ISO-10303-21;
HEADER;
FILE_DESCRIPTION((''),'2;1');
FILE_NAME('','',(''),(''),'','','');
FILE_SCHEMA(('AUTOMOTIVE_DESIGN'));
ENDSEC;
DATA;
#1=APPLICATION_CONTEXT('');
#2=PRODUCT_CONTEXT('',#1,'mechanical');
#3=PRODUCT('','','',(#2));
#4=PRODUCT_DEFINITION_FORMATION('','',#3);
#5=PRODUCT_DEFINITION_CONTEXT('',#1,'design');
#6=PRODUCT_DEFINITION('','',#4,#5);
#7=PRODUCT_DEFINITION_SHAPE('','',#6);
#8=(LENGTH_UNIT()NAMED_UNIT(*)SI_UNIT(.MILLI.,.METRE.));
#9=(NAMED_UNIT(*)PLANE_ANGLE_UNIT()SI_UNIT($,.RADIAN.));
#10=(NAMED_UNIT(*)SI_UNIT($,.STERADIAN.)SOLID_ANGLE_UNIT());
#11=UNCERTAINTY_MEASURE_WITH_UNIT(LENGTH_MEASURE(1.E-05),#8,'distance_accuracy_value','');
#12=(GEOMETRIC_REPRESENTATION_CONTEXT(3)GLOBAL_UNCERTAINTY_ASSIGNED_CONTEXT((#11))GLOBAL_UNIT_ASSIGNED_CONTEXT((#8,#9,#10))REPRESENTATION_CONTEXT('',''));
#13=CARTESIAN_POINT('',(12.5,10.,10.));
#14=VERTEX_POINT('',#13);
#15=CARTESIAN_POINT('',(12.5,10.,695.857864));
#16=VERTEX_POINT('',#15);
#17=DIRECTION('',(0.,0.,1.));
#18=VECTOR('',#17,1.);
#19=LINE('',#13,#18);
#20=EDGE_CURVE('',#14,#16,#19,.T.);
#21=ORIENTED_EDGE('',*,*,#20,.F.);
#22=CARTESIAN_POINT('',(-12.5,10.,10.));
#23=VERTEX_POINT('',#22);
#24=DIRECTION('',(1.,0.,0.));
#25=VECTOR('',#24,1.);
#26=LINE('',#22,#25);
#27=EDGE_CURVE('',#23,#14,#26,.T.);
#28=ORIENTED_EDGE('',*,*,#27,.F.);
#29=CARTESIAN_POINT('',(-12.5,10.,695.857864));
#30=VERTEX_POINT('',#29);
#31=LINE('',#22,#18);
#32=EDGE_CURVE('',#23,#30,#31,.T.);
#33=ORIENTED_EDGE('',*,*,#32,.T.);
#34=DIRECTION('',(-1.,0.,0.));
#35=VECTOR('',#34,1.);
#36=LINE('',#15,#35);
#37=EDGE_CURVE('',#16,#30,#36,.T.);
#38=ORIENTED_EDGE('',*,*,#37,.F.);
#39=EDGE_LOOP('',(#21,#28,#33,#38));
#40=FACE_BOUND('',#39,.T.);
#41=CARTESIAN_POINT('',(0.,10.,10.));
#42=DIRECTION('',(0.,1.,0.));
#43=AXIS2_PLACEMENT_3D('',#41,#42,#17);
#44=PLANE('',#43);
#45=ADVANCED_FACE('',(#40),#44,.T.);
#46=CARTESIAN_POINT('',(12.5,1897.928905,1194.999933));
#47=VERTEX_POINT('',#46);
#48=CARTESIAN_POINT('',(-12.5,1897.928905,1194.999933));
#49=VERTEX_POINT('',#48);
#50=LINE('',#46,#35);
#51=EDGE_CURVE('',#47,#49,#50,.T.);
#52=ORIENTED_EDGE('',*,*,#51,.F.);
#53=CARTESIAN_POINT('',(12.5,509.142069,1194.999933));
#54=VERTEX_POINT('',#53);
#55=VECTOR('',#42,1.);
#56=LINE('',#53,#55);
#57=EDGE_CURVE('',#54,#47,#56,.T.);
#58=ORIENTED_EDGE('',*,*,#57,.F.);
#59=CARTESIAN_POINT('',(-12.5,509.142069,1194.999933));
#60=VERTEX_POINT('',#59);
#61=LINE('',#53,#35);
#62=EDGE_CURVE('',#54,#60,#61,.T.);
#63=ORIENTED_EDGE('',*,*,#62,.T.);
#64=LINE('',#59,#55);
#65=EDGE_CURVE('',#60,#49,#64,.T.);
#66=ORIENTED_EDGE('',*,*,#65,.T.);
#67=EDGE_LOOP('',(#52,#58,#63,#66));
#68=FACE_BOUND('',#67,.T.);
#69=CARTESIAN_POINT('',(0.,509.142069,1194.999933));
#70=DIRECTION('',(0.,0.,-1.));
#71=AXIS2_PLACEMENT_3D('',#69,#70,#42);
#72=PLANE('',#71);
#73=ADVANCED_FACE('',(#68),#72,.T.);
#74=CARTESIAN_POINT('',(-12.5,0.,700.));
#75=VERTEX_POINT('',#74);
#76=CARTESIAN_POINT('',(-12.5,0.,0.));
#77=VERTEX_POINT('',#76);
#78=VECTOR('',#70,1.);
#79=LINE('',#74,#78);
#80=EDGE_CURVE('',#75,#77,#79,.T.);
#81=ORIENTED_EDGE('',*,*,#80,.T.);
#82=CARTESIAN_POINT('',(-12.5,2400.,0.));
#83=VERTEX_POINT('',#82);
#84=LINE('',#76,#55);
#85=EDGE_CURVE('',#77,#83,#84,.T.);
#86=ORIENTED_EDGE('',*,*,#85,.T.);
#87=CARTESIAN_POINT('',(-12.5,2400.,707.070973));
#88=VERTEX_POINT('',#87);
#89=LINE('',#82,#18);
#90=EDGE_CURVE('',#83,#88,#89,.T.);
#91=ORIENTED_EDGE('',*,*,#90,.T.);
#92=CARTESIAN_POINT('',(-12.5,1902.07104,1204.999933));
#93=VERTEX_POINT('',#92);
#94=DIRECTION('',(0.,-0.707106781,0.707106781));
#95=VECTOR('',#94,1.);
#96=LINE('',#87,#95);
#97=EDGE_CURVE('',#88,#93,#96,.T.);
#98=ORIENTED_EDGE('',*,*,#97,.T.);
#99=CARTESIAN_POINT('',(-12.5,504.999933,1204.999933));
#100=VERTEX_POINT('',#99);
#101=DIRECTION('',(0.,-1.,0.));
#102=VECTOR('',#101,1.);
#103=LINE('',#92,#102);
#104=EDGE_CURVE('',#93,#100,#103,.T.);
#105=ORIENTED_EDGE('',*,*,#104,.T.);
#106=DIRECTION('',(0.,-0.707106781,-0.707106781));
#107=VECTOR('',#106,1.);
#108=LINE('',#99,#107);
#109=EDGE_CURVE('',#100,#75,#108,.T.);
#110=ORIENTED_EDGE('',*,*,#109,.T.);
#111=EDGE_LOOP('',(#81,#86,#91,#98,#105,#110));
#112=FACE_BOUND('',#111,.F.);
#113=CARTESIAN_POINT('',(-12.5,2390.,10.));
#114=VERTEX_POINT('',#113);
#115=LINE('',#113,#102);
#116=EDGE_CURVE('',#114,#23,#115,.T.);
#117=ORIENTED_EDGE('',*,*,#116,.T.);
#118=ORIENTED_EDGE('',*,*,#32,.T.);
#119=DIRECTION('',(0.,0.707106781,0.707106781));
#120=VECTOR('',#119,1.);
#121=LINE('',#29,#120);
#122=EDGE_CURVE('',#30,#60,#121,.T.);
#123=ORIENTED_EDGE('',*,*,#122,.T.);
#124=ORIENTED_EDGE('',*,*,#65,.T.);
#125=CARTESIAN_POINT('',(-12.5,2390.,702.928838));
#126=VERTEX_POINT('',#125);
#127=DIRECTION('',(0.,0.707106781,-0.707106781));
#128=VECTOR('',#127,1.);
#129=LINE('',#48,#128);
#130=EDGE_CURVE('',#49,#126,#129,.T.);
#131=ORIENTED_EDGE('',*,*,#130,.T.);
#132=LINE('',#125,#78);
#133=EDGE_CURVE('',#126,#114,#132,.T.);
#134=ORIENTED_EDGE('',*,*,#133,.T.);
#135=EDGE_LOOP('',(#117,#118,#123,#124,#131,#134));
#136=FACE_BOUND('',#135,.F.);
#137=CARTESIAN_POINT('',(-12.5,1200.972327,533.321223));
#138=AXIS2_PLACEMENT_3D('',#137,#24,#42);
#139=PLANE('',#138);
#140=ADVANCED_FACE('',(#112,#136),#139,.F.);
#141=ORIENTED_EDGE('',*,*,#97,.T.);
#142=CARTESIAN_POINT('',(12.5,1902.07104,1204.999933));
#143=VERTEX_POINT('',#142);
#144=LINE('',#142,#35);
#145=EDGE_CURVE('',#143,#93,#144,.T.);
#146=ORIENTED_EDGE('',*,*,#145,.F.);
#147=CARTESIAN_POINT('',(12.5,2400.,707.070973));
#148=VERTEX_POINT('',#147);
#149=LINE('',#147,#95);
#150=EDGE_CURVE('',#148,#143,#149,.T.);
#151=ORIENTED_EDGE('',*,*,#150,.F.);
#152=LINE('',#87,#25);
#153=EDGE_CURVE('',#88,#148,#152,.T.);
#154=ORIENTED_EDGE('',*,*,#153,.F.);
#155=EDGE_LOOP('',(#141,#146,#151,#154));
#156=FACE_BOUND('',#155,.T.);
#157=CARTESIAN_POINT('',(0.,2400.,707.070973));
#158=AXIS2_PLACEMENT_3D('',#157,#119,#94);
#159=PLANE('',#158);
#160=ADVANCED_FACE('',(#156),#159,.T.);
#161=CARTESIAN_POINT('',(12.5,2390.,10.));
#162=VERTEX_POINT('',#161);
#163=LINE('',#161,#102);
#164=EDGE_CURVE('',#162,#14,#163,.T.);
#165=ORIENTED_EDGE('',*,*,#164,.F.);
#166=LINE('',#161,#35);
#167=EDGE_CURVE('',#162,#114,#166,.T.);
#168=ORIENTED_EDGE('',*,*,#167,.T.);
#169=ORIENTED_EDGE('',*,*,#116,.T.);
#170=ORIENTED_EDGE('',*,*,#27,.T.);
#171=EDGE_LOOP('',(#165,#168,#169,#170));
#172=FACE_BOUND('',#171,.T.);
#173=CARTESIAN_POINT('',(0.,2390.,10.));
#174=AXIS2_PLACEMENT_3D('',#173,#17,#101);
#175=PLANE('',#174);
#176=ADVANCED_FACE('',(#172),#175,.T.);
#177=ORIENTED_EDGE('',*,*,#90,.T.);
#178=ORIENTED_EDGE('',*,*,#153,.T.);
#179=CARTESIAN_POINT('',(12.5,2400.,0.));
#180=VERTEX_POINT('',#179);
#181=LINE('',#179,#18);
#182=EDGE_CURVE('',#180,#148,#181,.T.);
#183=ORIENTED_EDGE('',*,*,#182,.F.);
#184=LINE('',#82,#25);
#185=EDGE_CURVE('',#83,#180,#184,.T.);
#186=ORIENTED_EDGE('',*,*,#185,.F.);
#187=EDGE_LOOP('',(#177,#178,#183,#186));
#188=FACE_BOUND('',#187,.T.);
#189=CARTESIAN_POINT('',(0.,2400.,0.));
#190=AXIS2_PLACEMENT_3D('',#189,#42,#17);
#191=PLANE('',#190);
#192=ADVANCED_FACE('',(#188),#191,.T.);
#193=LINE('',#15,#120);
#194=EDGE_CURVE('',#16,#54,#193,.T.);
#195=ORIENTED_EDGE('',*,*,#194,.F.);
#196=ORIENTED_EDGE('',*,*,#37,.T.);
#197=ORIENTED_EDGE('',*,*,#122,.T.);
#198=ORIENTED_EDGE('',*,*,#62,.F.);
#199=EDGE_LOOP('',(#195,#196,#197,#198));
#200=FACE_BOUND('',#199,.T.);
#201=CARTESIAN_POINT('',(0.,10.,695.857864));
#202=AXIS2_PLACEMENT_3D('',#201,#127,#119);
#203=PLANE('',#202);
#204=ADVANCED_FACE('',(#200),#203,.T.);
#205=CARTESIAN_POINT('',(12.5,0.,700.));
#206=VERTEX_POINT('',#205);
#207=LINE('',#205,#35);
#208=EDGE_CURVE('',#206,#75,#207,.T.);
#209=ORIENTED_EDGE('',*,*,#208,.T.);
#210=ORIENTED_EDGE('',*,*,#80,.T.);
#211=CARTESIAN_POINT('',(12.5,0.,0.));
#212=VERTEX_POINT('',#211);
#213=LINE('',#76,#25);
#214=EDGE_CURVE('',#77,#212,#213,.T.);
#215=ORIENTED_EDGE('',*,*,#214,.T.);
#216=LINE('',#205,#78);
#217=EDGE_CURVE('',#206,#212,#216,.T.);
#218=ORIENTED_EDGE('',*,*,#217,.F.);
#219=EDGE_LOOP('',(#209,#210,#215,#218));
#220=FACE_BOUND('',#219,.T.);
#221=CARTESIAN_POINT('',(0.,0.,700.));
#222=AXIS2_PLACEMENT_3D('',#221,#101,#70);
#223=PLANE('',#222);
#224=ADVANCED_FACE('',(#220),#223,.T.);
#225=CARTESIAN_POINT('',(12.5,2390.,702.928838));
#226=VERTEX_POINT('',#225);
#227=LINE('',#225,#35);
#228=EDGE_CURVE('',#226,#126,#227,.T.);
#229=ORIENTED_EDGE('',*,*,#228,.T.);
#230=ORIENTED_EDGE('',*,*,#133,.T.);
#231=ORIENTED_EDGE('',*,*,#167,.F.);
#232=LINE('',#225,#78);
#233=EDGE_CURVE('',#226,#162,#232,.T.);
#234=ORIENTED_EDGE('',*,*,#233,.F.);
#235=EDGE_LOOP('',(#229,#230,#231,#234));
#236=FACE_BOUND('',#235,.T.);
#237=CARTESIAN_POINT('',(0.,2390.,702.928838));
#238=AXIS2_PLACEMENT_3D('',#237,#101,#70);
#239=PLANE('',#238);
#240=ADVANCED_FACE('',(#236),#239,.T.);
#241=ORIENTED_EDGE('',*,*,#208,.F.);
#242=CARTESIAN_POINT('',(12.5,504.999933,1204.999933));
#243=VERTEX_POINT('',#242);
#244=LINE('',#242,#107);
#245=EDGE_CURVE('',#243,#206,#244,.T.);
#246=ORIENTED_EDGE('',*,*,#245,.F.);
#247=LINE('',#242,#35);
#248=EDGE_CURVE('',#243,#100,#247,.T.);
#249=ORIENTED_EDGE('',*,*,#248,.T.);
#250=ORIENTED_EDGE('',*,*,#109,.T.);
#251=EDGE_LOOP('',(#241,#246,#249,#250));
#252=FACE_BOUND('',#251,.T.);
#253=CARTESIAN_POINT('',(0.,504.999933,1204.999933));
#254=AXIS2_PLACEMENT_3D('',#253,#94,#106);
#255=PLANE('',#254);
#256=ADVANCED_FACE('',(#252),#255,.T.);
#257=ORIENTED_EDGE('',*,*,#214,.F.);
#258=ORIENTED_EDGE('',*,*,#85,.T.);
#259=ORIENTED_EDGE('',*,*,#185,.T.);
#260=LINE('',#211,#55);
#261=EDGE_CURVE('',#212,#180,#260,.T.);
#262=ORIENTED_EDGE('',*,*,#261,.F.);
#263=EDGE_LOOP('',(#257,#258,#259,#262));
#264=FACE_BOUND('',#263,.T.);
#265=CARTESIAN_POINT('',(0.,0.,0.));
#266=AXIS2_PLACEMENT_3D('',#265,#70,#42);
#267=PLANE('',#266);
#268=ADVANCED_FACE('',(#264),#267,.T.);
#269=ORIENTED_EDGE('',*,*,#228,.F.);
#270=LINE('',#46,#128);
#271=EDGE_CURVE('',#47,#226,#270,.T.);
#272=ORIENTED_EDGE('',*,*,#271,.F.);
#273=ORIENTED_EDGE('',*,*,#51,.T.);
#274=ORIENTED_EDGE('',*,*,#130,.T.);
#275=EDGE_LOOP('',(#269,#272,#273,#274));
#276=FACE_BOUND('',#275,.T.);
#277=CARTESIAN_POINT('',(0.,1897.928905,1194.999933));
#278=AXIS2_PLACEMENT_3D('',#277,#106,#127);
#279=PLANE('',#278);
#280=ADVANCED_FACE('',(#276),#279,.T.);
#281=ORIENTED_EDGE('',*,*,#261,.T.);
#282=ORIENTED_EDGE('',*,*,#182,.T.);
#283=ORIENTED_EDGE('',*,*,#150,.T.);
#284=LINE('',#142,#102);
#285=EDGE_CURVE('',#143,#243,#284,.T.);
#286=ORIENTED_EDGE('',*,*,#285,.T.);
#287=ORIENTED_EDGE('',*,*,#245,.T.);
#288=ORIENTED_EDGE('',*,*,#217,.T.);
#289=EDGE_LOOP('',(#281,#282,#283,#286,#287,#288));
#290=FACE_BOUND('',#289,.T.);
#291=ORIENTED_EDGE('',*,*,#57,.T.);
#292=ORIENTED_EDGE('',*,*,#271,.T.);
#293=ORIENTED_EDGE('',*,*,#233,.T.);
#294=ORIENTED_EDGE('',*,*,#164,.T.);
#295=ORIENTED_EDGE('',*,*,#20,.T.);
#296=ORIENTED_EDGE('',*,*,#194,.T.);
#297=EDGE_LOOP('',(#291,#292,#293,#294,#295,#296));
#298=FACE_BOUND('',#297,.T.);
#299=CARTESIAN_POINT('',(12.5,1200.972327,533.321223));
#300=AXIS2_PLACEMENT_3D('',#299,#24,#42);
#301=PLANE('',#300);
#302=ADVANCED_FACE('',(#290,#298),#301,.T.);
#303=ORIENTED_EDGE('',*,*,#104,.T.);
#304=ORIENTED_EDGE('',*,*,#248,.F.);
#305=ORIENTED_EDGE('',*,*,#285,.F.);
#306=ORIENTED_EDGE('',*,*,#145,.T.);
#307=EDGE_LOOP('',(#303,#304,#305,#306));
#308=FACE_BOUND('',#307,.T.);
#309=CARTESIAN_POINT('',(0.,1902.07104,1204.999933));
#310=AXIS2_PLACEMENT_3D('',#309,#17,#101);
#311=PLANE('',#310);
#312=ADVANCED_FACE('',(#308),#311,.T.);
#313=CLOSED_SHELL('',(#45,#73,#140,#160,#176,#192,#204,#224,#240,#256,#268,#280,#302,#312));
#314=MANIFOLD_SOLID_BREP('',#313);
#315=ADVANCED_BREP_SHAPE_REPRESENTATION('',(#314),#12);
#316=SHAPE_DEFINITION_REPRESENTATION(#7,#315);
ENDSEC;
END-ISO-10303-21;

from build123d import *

# Parameters (mm, degrees)
F1_DEPTH = 12.5


with BuildPart() as f1:
    # F0 (on Right) → F1 (new body, symmetric)
    with BuildSketch(Plane.YZ):
        Polygon((0, 700), (0, 0), (2400, 0), (2400, 707.070973), (1902.07104, 1204.999933), (504.999933, 1204.999933), align=None)
        Polygon((10, 10), (10, 695.857864), (509.142069, 1194.999933), (1897.928905, 1194.999933), (2390, 702.928838), (2390, 10), align=None, mode=Mode.SUBTRACT)
    extrude(amount=F1_DEPTH, both=True)


solid = f1.part
